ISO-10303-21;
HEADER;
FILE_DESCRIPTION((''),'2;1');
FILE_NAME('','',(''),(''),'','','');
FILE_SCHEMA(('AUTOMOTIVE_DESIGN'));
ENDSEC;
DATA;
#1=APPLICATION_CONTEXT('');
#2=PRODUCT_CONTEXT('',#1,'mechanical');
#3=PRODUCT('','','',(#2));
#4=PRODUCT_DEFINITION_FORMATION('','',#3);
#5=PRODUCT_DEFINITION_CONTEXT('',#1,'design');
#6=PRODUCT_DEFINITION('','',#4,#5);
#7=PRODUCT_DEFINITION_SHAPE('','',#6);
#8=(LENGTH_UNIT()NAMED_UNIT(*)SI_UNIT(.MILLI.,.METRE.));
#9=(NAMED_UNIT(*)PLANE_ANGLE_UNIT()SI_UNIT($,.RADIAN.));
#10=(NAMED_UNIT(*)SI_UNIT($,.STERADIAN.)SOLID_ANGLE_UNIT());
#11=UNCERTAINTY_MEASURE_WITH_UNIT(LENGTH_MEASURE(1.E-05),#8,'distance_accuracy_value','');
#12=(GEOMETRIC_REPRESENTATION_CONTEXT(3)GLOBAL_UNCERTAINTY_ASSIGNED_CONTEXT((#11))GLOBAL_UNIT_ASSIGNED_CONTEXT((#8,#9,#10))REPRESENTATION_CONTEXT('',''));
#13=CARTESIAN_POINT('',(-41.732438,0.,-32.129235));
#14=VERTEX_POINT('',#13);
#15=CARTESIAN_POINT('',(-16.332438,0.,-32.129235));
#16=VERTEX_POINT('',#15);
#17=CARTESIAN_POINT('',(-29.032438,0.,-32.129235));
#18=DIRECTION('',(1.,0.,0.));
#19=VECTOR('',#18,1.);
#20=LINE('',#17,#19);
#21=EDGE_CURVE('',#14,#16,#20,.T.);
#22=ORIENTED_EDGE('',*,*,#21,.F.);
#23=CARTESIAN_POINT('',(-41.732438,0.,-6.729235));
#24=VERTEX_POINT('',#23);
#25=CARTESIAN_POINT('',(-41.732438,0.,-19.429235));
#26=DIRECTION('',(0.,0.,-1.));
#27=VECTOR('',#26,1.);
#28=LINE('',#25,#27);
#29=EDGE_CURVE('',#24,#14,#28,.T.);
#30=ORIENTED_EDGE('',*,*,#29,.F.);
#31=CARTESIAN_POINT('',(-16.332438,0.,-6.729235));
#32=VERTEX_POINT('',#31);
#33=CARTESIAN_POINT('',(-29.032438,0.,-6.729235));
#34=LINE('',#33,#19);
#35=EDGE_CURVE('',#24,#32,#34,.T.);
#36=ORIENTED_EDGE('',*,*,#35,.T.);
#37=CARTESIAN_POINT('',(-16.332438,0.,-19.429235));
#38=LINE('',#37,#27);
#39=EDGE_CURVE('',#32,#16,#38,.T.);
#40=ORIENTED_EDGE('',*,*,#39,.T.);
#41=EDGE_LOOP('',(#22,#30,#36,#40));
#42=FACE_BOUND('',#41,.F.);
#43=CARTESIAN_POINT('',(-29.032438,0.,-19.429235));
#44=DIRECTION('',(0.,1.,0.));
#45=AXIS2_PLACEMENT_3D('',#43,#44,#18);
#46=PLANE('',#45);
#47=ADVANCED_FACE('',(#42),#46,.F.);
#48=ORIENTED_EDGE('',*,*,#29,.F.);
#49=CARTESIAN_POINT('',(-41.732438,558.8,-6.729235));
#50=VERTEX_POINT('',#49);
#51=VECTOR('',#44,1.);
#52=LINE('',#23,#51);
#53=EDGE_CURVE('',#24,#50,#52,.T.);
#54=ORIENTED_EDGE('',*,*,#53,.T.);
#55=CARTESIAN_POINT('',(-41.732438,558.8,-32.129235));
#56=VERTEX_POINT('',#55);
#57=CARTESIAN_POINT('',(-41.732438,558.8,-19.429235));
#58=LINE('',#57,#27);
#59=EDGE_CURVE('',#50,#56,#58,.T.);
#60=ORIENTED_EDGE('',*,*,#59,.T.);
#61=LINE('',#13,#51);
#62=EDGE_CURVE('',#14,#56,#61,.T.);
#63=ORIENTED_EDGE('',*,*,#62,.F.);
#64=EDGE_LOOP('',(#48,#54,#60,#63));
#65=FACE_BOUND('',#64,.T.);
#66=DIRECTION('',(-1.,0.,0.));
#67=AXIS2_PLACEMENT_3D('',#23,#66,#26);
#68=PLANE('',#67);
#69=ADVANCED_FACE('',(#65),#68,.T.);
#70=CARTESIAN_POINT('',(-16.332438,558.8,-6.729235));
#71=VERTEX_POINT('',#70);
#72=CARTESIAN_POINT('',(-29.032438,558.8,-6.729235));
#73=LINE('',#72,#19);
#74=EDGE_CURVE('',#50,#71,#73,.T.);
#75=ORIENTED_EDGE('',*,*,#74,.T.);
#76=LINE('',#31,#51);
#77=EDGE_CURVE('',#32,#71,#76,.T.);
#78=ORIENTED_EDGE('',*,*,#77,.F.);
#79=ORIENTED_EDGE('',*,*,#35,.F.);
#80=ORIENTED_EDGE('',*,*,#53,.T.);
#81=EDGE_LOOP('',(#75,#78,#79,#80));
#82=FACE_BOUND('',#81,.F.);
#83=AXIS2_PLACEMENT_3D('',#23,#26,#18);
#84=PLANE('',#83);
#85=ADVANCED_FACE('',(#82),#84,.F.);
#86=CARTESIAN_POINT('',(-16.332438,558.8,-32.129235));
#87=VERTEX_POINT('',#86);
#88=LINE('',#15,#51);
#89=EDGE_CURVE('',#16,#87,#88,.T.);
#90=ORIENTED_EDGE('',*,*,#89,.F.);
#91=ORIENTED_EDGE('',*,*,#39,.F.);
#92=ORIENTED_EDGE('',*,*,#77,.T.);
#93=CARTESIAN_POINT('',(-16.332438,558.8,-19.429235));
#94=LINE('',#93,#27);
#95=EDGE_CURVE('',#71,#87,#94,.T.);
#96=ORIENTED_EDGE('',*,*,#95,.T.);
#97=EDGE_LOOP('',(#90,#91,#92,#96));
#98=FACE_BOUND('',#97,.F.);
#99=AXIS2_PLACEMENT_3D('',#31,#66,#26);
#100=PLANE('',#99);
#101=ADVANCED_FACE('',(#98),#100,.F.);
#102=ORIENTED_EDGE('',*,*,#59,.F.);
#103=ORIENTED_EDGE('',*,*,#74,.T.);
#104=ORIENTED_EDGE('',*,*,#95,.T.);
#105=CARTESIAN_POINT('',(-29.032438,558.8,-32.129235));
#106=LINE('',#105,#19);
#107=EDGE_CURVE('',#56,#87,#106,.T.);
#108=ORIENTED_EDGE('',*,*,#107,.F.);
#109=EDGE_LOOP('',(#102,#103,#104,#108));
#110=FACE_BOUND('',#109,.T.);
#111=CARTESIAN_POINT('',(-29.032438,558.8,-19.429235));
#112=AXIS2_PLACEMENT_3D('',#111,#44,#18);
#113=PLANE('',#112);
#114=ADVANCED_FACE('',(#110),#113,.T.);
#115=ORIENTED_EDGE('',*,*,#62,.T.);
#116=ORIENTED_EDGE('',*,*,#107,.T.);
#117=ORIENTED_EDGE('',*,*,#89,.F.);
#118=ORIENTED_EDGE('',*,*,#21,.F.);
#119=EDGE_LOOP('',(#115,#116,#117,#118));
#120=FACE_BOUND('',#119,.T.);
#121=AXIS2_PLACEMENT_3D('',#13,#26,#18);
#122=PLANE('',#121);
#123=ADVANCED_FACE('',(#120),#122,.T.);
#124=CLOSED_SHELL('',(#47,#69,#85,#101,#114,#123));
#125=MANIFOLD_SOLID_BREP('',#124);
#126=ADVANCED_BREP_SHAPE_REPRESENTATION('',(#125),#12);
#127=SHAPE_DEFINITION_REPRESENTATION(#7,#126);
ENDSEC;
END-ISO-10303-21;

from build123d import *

# Parameters (mm, degrees)
SKETCH1_W           = 25.4
SKETCH1_H           = 25.4
BOSS_EXTRUDE1_DEPTH = 558.8


with BuildPart() as part:
    # Sketch1 → Boss-Extrude1 (new body)
    with BuildSketch(Plane(origin=(0, 0, 0), x_dir=(1, 0, 0), z_dir=(0, 1, 0))):
        with Locations((-29.032437983, 19.429234924)):
            Rectangle(SKETCH1_W, SKETCH1_H)
    extrude(amount=BOSS_EXTRUDE1_DEPTH)


solid = part.part
